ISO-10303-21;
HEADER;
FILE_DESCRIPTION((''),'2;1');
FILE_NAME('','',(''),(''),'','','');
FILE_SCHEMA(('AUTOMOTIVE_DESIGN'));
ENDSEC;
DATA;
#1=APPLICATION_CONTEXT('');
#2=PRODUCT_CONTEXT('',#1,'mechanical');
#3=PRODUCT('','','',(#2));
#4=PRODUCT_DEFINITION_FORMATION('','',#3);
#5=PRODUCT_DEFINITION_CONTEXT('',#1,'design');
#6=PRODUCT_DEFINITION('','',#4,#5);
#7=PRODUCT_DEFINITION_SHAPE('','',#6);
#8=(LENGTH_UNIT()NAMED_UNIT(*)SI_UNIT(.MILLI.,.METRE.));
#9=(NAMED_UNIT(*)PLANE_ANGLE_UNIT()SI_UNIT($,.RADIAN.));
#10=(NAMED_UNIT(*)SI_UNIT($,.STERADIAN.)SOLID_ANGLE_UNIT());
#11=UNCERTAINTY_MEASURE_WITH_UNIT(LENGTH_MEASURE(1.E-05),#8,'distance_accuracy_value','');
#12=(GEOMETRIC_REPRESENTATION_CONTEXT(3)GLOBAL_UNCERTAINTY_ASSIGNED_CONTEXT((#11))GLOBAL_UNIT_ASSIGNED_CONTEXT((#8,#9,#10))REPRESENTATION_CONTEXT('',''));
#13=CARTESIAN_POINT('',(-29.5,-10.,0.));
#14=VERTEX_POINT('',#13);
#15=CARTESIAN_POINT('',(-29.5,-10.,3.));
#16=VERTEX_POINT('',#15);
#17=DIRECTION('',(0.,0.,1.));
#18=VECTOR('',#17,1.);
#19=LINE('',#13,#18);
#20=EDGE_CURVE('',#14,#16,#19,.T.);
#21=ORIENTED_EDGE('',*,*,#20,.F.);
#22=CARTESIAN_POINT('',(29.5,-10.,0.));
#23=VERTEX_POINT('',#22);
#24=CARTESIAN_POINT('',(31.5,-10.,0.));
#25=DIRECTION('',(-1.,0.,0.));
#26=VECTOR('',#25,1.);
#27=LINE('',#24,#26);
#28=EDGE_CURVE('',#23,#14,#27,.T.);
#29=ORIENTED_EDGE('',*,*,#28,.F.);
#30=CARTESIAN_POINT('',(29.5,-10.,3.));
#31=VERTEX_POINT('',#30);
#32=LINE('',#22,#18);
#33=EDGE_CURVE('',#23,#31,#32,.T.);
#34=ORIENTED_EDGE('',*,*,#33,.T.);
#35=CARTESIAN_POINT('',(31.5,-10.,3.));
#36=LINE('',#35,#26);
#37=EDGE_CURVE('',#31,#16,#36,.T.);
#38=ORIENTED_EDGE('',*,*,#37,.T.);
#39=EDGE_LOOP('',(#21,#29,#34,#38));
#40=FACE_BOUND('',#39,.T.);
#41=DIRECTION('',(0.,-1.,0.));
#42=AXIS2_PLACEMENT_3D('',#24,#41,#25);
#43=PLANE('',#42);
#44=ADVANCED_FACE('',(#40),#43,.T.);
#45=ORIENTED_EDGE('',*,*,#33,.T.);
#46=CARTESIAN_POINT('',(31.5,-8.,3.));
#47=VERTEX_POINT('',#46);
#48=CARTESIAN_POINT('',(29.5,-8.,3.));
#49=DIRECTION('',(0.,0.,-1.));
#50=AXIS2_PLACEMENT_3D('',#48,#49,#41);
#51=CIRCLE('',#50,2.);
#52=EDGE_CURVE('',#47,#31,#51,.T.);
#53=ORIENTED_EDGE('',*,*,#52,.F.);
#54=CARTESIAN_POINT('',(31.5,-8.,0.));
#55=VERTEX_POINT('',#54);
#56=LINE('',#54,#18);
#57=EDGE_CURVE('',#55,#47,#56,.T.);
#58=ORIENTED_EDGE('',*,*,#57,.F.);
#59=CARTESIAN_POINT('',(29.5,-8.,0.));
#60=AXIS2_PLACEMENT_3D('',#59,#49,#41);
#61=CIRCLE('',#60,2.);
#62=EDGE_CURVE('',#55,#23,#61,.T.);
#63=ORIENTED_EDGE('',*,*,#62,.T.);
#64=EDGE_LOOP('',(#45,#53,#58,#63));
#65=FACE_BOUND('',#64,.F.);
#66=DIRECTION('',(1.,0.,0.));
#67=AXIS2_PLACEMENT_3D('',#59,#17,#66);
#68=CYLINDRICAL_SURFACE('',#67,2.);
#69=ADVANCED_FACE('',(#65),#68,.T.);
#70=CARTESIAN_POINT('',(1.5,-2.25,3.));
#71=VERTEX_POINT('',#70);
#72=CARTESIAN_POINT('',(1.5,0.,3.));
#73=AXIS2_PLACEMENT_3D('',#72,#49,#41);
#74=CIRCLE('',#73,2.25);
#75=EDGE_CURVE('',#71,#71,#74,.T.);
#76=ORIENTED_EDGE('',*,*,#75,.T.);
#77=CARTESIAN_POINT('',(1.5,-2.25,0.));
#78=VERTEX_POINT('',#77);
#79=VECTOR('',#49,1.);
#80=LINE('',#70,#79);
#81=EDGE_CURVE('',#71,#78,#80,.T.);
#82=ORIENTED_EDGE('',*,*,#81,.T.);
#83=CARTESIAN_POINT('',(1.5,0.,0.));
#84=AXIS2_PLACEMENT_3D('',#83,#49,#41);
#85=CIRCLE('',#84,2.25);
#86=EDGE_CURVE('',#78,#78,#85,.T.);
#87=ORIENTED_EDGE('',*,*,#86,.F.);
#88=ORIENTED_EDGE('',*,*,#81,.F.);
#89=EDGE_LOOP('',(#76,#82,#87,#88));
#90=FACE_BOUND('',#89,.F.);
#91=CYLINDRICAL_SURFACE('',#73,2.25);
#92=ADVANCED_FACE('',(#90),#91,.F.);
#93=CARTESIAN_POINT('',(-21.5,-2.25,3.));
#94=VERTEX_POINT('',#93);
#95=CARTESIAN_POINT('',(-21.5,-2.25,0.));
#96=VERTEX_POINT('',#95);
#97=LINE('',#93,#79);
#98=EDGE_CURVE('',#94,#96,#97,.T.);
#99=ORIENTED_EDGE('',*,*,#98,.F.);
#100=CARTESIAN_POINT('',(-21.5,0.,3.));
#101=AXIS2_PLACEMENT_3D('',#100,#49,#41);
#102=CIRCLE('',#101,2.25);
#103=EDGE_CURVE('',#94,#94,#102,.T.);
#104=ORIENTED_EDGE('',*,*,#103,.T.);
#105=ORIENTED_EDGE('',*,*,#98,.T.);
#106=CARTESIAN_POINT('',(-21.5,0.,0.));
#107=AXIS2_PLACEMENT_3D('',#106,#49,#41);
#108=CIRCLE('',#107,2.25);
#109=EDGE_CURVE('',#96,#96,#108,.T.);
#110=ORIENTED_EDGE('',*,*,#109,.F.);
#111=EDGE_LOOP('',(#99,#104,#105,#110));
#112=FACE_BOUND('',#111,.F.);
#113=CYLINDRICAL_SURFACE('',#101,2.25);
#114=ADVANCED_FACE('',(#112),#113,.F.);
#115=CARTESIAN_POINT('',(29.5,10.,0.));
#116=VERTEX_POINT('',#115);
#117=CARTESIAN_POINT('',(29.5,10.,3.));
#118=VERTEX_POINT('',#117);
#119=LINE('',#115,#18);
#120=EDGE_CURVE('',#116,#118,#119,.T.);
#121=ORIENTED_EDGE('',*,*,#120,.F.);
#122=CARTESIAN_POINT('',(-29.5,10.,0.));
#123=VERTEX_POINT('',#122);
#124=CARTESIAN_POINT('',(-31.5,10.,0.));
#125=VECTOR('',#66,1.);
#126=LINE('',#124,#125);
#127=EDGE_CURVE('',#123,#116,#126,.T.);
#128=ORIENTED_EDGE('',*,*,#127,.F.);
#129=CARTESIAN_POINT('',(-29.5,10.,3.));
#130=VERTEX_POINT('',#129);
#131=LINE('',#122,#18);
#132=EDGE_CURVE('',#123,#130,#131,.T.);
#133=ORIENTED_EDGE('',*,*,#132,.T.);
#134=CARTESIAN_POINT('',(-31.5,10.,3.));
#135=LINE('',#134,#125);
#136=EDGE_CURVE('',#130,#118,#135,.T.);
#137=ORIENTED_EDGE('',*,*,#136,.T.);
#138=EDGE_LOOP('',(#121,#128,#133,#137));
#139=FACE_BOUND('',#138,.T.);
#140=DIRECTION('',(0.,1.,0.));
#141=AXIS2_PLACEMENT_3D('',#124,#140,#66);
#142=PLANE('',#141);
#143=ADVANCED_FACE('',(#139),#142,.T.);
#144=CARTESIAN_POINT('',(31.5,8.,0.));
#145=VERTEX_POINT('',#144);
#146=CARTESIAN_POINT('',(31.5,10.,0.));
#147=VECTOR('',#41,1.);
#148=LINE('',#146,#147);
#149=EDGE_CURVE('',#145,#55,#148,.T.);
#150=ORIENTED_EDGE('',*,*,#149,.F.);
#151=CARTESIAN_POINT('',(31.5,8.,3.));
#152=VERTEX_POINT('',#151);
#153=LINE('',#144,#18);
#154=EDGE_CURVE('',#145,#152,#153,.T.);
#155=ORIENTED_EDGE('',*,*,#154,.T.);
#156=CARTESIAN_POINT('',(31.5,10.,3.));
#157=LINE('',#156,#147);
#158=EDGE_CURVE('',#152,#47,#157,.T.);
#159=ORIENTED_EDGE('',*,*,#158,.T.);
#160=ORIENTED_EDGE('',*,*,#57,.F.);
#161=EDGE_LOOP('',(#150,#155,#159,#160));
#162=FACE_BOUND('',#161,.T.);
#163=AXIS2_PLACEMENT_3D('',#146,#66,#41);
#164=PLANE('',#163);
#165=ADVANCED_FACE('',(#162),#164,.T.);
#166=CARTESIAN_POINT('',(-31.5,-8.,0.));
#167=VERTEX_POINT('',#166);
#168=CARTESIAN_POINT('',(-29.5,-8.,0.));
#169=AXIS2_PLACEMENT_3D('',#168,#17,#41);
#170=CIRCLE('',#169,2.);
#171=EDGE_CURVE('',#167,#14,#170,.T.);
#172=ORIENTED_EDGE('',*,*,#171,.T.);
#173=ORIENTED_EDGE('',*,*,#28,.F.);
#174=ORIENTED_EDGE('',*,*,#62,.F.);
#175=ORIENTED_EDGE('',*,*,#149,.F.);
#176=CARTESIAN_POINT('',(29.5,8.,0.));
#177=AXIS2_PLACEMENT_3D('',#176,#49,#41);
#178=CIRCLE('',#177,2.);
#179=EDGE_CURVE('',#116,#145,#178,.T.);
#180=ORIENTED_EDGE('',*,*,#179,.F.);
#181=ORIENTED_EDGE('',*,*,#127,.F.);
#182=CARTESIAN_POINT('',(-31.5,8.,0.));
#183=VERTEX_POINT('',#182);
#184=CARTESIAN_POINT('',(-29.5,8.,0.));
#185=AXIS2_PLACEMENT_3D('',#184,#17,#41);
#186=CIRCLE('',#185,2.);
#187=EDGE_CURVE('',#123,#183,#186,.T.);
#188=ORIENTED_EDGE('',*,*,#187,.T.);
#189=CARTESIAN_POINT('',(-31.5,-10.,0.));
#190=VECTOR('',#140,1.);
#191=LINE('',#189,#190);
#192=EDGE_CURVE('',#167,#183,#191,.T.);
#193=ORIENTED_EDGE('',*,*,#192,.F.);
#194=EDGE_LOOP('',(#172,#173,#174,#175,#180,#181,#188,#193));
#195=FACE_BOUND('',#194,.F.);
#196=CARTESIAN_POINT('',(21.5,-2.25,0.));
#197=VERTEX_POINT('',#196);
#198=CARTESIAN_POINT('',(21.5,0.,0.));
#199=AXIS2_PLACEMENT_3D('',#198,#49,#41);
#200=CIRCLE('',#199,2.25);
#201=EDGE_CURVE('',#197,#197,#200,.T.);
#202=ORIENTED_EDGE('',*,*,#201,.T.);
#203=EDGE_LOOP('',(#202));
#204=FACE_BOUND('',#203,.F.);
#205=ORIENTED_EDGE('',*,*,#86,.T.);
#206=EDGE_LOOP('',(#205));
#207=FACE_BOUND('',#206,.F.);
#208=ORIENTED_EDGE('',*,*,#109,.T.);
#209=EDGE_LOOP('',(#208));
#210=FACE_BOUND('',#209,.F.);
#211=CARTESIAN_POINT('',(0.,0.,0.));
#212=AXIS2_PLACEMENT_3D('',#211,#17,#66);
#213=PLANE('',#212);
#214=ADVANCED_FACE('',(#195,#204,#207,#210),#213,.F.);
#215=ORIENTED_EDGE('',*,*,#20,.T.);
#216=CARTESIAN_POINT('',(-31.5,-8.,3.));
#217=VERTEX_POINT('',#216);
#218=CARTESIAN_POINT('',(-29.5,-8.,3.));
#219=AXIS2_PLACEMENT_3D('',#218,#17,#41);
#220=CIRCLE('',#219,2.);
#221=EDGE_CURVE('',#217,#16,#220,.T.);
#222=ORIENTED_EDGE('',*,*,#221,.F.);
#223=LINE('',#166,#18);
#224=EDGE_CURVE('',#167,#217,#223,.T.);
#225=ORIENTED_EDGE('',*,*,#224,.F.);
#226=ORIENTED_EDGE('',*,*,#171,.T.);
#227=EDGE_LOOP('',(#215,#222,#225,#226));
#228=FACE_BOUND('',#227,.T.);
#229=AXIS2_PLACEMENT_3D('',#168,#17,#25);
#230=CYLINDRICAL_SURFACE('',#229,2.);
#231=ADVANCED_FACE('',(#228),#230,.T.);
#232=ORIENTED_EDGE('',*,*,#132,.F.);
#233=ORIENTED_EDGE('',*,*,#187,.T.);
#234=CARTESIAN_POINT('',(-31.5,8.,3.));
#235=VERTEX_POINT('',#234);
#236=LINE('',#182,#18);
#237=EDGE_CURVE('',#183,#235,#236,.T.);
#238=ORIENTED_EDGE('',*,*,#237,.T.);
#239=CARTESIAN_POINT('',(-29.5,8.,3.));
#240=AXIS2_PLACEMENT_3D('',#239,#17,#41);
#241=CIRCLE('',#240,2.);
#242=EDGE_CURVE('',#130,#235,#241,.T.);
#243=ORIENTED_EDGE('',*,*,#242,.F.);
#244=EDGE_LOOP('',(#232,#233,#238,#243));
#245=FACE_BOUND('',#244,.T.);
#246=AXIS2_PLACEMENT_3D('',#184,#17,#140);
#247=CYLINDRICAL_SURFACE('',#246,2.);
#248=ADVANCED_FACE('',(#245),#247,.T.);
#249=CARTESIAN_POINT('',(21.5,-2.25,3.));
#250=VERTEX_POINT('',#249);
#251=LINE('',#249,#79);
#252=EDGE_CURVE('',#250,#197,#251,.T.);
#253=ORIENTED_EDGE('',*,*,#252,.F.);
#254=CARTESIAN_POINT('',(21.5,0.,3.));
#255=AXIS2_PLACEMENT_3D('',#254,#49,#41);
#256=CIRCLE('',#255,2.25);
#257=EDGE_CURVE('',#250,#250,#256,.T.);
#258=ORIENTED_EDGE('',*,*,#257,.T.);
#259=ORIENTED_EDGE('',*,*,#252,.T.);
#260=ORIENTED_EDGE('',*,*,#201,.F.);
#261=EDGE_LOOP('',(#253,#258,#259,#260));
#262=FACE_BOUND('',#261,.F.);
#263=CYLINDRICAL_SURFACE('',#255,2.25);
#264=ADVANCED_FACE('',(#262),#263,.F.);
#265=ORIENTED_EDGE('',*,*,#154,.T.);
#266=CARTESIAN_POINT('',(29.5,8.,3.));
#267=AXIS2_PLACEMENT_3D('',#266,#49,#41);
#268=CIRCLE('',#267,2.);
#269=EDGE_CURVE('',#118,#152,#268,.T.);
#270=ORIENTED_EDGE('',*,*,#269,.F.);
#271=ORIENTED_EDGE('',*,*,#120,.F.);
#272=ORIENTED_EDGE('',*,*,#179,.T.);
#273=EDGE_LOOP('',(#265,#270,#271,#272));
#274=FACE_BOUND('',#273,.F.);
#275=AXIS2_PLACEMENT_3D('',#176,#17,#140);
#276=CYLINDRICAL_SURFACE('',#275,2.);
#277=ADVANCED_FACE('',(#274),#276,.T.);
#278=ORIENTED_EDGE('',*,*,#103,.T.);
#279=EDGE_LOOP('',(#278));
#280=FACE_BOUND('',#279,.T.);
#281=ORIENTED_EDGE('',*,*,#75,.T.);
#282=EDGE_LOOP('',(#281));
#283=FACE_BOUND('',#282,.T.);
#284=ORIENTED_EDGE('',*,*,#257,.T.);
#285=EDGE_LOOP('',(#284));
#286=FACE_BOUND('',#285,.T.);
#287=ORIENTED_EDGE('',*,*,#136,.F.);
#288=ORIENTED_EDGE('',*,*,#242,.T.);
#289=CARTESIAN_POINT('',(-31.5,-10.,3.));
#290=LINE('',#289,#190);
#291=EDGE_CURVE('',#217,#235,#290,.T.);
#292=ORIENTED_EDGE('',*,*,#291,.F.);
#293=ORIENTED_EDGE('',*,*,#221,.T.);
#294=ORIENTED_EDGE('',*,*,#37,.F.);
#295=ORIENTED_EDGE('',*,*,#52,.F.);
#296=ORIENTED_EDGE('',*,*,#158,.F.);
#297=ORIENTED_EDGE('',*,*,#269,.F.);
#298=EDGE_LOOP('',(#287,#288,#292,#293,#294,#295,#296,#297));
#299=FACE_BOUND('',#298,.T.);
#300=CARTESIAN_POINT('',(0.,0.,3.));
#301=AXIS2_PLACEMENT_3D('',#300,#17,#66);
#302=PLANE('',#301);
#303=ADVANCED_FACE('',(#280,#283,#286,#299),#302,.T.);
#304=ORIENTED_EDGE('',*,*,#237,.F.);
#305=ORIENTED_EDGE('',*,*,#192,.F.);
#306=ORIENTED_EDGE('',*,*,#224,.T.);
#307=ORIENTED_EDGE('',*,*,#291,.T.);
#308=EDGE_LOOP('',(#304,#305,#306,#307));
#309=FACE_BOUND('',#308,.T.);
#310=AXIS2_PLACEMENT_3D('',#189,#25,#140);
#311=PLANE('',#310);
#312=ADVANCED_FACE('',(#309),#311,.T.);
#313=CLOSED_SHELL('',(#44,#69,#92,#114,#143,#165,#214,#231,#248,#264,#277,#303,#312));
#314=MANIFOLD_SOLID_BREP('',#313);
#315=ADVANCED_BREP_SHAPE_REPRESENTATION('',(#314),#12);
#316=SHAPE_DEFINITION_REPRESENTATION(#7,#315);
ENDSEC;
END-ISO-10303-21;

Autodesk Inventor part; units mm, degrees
ref_plane "YZ Plane" through (0, 0, 0) normal (1, 0, 0) x (0, 1, 0)
ref_plane "XZ Plane" through (0, 0, 0) normal (0, 1, 0) x (-1, 0, 0)
ref_plane "XY Plane" through (0, 0, 0) normal (0, 0, 1) x (1, 0, 0)
sketch "スケッチ2" plane through (0, 0, 0) normal (0, 0, 1) x (1, 0, 0)
  line L0 (-31.5, 10) -> (31.5, 10)
  line L1 (31.5, 10) -> (31.5, -10)
  line L2 (31.5, -10) -> (-31.5, -10)
  line L3 (-31.5, -10) -> (-31.5, 10)
  line L4 (0, 14) -> (0, -14) construction
  line L5 (-44.1, 0) -> (44.1, 0) construction
  point P0 (0, 0)
  dimension "d1" = 63
  dimension "d2" = 20
  dimension "d3" = 10
  dimension "d4" = 31.5
extrude "押し出し1" add sketch "スケッチ2" along normal blind 3
sketch "スケッチ3" plane through (0, 0, 3) normal (0, 0, 1) x (1, 0, 0)
  line L0 (-31.5, -10) -> (31.5, -10) construction
  line L1 (31.5, -10) -> (31.5, 10) construction
  line L2 (31.5, 10) -> (-31.5, 10) construction
  line L3 (-31.5, 10) -> (-31.5, -10) construction
  line L4 (-44.1, 0) -> (44.1, 0) construction
  point P0 (0, 0)
  point P1 (-21.5, 0)
  point P2 (1.5, 0)
  point P3 (21.5, 0)
  dimension "d7" = 10
  dimension "d8" = 10
  dimension "d9" = 20
hole "穴1" at (-21.5, 0, 3) at (1.5, 0, 3) at (21.5, 0, 3) direction (0, 0, -1) diameter 4.5 end through all
fillet "フィレット1" radius 2 4 edges at (-31.5, 10, 1.5) (31.5, 10, 1.5) (31.5, -10, 1.5) (-31.5, -10, 1.5)
equation "\"d3\" = 0.5 * d2"
equation "\"d4\" = 0.5 * d1"
properties part number "rocker_bogie_mount"
